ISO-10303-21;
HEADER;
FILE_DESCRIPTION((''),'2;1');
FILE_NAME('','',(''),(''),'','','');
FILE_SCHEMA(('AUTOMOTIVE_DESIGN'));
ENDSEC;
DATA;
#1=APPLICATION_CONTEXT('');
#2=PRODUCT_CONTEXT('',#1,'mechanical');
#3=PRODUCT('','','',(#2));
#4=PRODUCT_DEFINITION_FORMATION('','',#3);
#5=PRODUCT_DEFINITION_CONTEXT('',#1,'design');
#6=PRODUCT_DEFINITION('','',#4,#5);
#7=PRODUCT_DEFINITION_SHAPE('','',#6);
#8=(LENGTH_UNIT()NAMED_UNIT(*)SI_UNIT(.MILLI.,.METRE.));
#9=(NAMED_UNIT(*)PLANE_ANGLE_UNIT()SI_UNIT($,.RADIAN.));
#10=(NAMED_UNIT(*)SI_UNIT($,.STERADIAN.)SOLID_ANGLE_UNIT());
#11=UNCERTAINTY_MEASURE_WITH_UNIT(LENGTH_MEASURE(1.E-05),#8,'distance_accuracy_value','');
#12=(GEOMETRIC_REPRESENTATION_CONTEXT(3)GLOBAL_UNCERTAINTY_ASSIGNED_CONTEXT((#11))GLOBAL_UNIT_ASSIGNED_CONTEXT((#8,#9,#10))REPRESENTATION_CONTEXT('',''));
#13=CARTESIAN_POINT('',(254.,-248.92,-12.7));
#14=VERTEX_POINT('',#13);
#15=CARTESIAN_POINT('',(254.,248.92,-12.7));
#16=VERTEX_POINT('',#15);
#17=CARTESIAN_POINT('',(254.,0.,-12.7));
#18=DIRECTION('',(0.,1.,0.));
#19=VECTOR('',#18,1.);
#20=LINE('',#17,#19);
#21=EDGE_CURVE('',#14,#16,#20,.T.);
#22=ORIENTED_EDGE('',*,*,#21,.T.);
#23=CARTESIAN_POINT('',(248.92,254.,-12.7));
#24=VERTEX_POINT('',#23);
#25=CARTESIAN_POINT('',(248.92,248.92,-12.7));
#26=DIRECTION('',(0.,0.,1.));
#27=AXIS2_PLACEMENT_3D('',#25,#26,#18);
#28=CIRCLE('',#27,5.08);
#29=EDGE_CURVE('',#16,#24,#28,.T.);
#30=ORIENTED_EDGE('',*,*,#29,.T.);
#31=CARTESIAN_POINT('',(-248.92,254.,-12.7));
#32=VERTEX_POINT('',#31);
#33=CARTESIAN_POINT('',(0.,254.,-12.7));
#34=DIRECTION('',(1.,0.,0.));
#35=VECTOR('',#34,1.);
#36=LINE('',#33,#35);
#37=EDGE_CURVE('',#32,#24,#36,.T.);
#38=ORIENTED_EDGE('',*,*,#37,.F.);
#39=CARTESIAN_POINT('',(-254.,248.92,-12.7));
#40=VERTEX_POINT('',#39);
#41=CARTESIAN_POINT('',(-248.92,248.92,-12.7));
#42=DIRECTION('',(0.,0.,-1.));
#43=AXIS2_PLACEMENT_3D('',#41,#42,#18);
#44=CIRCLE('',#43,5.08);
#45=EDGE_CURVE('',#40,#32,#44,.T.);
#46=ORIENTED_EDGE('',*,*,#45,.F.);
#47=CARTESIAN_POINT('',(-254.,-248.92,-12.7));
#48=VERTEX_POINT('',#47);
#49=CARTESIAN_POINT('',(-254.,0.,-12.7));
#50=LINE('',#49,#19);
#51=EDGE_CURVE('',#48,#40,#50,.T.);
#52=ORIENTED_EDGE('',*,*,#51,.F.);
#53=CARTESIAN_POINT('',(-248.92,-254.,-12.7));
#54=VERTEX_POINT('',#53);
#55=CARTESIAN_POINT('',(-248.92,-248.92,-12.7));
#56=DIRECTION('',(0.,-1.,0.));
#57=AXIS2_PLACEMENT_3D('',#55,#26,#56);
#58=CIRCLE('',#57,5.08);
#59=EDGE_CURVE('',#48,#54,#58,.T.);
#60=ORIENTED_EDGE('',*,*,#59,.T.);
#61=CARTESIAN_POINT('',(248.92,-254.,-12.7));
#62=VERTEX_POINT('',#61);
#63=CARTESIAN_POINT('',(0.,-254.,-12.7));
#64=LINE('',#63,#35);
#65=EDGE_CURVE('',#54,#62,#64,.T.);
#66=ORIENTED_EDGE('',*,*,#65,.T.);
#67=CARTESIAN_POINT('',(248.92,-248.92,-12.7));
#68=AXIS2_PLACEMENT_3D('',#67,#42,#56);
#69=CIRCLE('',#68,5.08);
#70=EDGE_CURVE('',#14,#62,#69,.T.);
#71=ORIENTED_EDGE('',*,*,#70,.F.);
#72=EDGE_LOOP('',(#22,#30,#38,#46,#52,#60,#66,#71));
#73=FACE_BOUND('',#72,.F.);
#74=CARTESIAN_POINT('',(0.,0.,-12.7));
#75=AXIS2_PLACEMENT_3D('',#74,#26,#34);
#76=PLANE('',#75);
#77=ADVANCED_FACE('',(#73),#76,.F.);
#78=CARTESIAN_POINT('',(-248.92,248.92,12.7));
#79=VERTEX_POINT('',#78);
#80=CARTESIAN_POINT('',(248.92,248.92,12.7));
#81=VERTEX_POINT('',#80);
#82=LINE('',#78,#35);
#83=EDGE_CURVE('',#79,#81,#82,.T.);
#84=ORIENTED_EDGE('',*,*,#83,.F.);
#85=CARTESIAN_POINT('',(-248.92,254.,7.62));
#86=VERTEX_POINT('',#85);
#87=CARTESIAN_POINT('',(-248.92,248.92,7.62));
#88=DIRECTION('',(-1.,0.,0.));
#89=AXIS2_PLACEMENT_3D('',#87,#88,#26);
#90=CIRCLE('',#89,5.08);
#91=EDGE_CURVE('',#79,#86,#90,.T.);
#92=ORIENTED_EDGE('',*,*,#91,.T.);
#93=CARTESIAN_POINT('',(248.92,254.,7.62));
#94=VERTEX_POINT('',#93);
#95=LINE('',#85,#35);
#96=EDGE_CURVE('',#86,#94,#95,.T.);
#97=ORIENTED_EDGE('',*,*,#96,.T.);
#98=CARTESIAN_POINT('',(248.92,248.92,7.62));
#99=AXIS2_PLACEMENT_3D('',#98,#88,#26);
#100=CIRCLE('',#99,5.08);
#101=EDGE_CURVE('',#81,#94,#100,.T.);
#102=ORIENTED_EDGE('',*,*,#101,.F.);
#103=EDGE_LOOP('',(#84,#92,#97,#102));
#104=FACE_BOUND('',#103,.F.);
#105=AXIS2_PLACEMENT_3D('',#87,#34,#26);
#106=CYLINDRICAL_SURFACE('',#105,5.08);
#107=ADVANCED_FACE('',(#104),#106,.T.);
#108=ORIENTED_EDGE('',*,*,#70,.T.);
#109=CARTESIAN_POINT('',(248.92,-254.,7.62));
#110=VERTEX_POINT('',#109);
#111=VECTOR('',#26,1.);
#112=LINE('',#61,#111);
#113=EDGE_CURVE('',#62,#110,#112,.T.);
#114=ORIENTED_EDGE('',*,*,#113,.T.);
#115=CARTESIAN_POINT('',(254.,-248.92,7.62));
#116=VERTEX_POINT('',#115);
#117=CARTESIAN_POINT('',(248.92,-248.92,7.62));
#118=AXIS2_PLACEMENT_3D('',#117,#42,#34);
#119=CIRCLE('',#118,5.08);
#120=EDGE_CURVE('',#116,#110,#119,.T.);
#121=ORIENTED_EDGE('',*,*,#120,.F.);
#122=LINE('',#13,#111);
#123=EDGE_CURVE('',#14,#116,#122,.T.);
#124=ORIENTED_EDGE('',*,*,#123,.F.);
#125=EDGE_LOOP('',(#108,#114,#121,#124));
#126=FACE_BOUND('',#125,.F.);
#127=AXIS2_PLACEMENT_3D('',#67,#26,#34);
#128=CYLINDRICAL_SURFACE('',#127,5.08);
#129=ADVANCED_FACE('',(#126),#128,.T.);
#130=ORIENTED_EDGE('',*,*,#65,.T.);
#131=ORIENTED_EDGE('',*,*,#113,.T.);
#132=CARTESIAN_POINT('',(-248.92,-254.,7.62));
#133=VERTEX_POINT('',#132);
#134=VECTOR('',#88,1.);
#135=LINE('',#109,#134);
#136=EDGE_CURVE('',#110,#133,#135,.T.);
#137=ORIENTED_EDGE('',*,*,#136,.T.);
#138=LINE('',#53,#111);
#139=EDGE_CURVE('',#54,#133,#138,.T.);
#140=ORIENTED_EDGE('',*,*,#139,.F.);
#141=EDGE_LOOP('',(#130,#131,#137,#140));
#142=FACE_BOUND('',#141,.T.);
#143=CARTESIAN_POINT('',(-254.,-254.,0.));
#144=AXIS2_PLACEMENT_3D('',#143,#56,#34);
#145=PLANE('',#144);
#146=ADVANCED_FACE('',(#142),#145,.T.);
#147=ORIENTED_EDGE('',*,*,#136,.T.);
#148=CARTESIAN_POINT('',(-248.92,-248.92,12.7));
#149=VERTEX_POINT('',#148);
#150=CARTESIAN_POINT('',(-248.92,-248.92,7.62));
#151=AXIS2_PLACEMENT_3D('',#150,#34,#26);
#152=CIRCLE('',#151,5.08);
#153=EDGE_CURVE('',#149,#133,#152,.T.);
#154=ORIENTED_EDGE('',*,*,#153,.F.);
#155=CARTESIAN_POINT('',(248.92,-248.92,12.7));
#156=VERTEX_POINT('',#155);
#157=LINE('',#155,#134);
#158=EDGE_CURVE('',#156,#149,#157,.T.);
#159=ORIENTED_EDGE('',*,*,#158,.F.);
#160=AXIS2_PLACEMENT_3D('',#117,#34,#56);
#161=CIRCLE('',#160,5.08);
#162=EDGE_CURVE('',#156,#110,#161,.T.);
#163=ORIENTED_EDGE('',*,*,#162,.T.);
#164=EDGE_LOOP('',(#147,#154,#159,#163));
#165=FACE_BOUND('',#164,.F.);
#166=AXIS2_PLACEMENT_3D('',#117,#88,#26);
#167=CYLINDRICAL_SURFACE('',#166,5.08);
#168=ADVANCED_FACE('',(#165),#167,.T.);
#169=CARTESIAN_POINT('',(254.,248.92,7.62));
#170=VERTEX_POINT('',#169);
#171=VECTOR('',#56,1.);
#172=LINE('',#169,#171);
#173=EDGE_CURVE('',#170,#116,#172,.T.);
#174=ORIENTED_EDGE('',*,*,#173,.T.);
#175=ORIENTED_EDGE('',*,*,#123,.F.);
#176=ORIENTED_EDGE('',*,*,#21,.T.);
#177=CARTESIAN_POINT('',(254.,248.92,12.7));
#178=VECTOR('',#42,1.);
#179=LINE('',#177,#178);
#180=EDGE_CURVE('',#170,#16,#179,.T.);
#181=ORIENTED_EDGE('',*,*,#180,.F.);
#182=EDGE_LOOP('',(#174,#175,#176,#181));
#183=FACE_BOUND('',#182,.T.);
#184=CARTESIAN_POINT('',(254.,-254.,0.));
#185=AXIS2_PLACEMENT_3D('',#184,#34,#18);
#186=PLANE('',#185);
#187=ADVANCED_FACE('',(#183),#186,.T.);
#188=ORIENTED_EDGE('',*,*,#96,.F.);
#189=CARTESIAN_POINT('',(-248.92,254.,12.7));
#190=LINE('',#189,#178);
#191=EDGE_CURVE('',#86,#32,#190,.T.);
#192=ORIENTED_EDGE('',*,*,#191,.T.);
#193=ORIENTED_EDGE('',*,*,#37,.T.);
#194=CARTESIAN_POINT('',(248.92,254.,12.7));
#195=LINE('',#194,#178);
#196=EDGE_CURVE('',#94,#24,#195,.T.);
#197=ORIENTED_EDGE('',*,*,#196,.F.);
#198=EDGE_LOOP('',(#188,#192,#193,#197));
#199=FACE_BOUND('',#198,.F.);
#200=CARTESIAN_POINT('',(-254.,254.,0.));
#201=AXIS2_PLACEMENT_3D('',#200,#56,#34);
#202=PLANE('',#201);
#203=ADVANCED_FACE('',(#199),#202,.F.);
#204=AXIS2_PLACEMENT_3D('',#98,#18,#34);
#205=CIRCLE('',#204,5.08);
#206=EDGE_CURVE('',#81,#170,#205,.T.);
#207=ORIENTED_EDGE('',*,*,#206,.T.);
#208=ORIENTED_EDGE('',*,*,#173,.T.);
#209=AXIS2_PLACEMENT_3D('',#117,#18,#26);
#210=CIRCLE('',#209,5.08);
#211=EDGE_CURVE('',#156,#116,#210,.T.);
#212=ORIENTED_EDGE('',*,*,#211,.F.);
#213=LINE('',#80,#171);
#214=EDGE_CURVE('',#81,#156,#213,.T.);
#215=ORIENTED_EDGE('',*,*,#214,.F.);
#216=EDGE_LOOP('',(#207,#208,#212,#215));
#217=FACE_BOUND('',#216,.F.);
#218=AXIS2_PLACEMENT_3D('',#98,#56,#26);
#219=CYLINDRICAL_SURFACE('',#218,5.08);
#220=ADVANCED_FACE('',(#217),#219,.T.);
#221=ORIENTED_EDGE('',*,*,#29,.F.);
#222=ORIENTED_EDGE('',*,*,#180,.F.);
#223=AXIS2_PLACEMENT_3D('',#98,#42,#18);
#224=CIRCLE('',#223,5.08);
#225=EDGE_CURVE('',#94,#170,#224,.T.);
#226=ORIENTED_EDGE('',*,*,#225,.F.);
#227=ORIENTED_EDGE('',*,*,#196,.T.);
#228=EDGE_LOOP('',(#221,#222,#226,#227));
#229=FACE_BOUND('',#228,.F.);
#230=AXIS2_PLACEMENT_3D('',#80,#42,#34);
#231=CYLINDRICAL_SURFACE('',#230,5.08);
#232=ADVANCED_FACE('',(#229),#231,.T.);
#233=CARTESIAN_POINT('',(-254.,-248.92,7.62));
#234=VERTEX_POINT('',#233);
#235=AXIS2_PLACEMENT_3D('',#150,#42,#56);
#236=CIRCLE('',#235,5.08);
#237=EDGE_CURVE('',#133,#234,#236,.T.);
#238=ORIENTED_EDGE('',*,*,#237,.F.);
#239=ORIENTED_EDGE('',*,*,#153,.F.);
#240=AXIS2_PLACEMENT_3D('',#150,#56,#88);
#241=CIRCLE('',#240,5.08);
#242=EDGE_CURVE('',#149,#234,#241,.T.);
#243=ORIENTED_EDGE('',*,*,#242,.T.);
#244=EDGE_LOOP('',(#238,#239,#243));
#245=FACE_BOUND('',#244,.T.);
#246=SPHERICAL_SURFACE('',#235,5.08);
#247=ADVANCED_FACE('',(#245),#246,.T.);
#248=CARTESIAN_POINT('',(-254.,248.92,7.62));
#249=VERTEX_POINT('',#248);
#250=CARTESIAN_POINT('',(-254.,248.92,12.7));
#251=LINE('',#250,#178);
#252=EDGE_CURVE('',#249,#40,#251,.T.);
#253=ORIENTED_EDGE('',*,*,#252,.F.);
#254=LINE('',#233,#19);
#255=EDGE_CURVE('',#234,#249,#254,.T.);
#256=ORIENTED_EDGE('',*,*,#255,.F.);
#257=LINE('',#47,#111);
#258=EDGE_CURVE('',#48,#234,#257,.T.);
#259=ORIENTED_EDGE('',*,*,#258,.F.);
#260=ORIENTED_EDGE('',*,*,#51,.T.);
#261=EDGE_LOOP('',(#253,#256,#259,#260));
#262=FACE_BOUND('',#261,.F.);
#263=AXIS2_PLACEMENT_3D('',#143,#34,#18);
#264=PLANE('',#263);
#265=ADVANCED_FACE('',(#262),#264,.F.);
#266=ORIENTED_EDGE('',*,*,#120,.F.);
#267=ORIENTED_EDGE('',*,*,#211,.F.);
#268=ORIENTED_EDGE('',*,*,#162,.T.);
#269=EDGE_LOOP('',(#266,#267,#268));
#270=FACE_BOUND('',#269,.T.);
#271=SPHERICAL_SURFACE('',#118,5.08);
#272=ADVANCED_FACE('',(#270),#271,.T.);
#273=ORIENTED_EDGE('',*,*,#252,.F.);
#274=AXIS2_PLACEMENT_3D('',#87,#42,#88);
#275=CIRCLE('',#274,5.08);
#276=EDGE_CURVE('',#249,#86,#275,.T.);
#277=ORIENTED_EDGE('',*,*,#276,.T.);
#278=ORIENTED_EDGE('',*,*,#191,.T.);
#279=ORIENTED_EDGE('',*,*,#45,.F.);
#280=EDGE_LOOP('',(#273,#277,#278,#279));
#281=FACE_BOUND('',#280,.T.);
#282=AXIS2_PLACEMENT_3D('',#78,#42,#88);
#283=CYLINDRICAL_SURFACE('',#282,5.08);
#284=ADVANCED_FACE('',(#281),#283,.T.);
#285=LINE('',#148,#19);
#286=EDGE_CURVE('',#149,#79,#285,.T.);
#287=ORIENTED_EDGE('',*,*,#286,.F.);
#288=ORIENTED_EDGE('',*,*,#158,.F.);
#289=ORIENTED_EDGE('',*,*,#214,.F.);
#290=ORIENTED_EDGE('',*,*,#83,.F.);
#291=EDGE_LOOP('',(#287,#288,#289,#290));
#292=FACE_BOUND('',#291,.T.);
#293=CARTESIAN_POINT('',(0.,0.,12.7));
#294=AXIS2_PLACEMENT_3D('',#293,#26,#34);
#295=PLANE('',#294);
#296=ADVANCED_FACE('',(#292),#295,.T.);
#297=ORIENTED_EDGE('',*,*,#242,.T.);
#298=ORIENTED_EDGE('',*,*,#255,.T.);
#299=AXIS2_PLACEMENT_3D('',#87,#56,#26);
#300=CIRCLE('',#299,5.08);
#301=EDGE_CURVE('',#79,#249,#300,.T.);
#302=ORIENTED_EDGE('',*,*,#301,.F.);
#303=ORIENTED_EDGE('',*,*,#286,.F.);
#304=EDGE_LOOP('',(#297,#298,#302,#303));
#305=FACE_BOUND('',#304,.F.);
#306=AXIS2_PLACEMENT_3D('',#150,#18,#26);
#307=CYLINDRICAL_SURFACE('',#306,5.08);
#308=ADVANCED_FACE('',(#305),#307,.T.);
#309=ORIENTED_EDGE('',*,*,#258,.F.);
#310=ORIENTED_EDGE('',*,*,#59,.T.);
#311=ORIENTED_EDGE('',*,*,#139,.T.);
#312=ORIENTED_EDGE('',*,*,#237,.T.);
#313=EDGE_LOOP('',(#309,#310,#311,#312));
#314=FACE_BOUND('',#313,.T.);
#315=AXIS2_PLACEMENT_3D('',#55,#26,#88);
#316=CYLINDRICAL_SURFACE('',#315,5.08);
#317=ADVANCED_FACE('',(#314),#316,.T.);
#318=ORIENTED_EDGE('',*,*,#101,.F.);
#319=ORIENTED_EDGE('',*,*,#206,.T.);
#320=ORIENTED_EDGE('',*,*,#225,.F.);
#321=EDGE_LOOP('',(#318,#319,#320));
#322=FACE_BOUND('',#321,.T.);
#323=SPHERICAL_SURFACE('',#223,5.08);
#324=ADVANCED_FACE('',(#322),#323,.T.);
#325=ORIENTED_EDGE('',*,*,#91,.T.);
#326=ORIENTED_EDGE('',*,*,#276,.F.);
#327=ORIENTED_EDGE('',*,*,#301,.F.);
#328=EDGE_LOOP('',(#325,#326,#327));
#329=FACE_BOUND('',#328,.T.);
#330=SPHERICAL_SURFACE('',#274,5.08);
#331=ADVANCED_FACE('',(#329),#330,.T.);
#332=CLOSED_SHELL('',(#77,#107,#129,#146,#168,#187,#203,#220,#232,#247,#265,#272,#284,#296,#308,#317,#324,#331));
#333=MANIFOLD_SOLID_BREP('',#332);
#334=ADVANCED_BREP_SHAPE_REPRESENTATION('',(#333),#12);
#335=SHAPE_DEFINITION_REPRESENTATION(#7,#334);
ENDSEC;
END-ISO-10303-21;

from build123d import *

# Parameters (mm, degrees)
F0_W     = 508
F0_H     = 508
F1_DEPTH = 12.7
F2_R     = 5.08
F3_R     = 5.08


with BuildPart() as f1:
    # F0 (on Top) → F1 (new body, symmetric)
    with BuildSketch(Plane.XY):
        Rectangle(F0_W, F0_H)
    extrude(amount=F1_DEPTH, both=True)

    # F2
    f2_edges = [f1.edges().sort_by_distance(p)[0] for p in [
        (-254, -254, 0),
        (254, -254, 0),
        (254, 254, 0),
        (-254, 254, 0),
    ]]
    fillet(f2_edges, radius=F2_R)

    # F3
    f3_edges = [f1.edges().sort_by_distance(p)[0] for p in [
        (0, 254, 12.7),
        (252.512102, 252.512102, 12.7),
        (-252.512102, 252.512102, 12.7),
        (254, 0, 12.7),
        (-254, 0, 12.7),
        (252.512102, -252.512102, 12.7),
        (-252.512102, -252.512102, 12.7),
        (0, -254, 12.7),
    ]]
    fillet(f3_edges, radius=F3_R)


solid = f1.part
